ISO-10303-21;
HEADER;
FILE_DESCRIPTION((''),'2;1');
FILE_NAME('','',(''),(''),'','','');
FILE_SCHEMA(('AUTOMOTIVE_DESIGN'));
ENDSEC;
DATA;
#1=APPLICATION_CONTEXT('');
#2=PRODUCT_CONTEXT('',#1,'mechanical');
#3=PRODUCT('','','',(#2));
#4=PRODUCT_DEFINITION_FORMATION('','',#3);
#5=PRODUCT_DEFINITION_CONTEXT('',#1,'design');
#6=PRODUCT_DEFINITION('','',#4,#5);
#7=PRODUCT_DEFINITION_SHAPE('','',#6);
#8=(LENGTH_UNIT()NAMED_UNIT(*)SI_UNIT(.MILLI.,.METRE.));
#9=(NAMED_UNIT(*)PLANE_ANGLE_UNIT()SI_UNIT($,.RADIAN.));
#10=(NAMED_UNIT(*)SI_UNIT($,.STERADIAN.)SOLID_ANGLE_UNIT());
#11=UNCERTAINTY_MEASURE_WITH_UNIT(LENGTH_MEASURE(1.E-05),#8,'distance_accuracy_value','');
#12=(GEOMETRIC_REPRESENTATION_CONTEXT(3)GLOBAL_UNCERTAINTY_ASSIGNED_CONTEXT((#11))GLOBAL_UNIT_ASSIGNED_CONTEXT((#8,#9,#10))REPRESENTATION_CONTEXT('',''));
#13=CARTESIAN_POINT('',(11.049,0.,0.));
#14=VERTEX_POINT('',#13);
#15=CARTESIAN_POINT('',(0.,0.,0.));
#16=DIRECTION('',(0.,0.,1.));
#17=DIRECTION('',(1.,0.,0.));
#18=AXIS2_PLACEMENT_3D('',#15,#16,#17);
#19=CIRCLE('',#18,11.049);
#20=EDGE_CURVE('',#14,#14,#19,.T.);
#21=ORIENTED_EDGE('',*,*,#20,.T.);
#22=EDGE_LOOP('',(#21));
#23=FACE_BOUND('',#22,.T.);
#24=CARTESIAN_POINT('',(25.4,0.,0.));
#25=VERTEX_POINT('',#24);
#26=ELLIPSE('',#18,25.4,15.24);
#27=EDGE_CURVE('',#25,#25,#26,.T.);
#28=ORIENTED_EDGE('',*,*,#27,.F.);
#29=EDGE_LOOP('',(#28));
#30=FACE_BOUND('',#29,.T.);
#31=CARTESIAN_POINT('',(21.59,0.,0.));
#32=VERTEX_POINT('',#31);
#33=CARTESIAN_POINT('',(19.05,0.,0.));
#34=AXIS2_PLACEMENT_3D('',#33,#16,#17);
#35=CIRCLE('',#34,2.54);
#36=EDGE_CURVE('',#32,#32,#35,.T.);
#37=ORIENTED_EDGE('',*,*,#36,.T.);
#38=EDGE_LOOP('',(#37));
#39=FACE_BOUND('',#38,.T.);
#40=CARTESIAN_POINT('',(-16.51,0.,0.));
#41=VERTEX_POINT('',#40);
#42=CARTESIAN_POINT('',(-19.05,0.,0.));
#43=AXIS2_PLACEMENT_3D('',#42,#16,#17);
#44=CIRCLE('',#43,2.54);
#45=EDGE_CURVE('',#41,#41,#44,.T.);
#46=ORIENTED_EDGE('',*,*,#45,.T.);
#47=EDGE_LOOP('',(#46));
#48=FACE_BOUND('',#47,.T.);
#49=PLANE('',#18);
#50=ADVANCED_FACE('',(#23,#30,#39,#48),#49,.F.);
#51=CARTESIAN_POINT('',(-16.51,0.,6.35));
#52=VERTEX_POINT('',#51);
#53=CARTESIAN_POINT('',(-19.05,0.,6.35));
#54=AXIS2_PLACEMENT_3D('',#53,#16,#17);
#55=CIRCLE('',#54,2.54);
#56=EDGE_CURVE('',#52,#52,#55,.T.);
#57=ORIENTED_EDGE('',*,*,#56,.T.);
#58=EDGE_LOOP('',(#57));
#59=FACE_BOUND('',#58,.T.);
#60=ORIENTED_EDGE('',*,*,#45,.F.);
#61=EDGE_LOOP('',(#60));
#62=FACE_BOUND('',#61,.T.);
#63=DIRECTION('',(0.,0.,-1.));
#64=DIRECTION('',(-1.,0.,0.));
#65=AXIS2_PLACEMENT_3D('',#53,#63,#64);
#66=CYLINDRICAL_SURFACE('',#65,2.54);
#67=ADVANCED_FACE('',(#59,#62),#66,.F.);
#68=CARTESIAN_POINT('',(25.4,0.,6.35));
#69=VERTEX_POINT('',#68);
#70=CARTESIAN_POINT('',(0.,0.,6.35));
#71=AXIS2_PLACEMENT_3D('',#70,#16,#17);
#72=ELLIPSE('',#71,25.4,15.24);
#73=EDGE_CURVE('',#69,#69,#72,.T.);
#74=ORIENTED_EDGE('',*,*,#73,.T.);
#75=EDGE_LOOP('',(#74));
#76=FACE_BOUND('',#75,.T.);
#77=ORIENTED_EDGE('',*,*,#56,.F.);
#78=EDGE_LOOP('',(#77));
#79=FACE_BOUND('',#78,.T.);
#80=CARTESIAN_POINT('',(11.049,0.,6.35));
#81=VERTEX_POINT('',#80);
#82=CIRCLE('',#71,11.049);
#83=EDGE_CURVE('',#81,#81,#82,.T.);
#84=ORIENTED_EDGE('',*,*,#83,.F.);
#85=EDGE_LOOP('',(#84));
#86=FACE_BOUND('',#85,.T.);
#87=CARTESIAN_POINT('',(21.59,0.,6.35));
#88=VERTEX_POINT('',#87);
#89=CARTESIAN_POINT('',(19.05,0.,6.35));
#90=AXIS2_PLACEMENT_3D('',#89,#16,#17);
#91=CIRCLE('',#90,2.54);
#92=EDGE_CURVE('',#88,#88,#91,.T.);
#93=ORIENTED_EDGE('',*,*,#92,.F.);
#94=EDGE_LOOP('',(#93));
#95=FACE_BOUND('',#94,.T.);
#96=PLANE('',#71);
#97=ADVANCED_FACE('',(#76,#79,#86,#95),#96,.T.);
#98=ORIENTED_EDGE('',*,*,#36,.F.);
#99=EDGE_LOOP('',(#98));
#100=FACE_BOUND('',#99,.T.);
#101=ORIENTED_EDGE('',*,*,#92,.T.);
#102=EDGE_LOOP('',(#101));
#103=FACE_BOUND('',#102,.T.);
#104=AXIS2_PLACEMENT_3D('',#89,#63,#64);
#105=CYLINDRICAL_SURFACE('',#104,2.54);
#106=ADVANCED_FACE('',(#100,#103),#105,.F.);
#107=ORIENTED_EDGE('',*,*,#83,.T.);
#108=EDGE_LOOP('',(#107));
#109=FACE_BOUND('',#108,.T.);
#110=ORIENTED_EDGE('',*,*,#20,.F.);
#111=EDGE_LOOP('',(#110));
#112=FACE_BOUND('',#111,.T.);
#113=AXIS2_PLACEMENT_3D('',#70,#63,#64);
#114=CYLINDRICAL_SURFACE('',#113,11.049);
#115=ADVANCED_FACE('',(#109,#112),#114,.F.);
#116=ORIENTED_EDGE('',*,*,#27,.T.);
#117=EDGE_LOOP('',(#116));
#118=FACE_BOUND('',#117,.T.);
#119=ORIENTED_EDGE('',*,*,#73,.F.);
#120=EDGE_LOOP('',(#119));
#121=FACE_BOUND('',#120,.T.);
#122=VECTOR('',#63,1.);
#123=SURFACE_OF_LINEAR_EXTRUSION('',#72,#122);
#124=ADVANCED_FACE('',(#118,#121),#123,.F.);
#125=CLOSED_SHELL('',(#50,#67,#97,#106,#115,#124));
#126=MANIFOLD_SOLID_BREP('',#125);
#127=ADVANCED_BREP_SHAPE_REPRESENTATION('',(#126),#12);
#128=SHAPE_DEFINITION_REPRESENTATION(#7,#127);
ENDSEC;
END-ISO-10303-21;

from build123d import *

# Parameters (mm, degrees)
SKETCH1_RX          = 25.4
SKETCH1_RY          = 15.24
SKETCH1_R           = 11.049
SKETCH1_R_2         = 2.54
BOSS_EXTRUDE1_DEPTH = 6.35


with BuildPart() as part:
    # Sketch1 → Boss-Extrude1 (new body)
    with BuildSketch(Plane.XY):
        with Locations((0, 0)):
            Ellipse(SKETCH1_RX, SKETCH1_RY)
        Circle(SKETCH1_R, mode=Mode.SUBTRACT)
        with Locations((-19.05, 0)):
            Circle(SKETCH1_R_2, mode=Mode.SUBTRACT)
        with Locations((19.05, 0)):
            Circle(SKETCH1_R_2, mode=Mode.SUBTRACT)
    extrude(amount=BOSS_EXTRUDE1_DEPTH)


solid = part.part
